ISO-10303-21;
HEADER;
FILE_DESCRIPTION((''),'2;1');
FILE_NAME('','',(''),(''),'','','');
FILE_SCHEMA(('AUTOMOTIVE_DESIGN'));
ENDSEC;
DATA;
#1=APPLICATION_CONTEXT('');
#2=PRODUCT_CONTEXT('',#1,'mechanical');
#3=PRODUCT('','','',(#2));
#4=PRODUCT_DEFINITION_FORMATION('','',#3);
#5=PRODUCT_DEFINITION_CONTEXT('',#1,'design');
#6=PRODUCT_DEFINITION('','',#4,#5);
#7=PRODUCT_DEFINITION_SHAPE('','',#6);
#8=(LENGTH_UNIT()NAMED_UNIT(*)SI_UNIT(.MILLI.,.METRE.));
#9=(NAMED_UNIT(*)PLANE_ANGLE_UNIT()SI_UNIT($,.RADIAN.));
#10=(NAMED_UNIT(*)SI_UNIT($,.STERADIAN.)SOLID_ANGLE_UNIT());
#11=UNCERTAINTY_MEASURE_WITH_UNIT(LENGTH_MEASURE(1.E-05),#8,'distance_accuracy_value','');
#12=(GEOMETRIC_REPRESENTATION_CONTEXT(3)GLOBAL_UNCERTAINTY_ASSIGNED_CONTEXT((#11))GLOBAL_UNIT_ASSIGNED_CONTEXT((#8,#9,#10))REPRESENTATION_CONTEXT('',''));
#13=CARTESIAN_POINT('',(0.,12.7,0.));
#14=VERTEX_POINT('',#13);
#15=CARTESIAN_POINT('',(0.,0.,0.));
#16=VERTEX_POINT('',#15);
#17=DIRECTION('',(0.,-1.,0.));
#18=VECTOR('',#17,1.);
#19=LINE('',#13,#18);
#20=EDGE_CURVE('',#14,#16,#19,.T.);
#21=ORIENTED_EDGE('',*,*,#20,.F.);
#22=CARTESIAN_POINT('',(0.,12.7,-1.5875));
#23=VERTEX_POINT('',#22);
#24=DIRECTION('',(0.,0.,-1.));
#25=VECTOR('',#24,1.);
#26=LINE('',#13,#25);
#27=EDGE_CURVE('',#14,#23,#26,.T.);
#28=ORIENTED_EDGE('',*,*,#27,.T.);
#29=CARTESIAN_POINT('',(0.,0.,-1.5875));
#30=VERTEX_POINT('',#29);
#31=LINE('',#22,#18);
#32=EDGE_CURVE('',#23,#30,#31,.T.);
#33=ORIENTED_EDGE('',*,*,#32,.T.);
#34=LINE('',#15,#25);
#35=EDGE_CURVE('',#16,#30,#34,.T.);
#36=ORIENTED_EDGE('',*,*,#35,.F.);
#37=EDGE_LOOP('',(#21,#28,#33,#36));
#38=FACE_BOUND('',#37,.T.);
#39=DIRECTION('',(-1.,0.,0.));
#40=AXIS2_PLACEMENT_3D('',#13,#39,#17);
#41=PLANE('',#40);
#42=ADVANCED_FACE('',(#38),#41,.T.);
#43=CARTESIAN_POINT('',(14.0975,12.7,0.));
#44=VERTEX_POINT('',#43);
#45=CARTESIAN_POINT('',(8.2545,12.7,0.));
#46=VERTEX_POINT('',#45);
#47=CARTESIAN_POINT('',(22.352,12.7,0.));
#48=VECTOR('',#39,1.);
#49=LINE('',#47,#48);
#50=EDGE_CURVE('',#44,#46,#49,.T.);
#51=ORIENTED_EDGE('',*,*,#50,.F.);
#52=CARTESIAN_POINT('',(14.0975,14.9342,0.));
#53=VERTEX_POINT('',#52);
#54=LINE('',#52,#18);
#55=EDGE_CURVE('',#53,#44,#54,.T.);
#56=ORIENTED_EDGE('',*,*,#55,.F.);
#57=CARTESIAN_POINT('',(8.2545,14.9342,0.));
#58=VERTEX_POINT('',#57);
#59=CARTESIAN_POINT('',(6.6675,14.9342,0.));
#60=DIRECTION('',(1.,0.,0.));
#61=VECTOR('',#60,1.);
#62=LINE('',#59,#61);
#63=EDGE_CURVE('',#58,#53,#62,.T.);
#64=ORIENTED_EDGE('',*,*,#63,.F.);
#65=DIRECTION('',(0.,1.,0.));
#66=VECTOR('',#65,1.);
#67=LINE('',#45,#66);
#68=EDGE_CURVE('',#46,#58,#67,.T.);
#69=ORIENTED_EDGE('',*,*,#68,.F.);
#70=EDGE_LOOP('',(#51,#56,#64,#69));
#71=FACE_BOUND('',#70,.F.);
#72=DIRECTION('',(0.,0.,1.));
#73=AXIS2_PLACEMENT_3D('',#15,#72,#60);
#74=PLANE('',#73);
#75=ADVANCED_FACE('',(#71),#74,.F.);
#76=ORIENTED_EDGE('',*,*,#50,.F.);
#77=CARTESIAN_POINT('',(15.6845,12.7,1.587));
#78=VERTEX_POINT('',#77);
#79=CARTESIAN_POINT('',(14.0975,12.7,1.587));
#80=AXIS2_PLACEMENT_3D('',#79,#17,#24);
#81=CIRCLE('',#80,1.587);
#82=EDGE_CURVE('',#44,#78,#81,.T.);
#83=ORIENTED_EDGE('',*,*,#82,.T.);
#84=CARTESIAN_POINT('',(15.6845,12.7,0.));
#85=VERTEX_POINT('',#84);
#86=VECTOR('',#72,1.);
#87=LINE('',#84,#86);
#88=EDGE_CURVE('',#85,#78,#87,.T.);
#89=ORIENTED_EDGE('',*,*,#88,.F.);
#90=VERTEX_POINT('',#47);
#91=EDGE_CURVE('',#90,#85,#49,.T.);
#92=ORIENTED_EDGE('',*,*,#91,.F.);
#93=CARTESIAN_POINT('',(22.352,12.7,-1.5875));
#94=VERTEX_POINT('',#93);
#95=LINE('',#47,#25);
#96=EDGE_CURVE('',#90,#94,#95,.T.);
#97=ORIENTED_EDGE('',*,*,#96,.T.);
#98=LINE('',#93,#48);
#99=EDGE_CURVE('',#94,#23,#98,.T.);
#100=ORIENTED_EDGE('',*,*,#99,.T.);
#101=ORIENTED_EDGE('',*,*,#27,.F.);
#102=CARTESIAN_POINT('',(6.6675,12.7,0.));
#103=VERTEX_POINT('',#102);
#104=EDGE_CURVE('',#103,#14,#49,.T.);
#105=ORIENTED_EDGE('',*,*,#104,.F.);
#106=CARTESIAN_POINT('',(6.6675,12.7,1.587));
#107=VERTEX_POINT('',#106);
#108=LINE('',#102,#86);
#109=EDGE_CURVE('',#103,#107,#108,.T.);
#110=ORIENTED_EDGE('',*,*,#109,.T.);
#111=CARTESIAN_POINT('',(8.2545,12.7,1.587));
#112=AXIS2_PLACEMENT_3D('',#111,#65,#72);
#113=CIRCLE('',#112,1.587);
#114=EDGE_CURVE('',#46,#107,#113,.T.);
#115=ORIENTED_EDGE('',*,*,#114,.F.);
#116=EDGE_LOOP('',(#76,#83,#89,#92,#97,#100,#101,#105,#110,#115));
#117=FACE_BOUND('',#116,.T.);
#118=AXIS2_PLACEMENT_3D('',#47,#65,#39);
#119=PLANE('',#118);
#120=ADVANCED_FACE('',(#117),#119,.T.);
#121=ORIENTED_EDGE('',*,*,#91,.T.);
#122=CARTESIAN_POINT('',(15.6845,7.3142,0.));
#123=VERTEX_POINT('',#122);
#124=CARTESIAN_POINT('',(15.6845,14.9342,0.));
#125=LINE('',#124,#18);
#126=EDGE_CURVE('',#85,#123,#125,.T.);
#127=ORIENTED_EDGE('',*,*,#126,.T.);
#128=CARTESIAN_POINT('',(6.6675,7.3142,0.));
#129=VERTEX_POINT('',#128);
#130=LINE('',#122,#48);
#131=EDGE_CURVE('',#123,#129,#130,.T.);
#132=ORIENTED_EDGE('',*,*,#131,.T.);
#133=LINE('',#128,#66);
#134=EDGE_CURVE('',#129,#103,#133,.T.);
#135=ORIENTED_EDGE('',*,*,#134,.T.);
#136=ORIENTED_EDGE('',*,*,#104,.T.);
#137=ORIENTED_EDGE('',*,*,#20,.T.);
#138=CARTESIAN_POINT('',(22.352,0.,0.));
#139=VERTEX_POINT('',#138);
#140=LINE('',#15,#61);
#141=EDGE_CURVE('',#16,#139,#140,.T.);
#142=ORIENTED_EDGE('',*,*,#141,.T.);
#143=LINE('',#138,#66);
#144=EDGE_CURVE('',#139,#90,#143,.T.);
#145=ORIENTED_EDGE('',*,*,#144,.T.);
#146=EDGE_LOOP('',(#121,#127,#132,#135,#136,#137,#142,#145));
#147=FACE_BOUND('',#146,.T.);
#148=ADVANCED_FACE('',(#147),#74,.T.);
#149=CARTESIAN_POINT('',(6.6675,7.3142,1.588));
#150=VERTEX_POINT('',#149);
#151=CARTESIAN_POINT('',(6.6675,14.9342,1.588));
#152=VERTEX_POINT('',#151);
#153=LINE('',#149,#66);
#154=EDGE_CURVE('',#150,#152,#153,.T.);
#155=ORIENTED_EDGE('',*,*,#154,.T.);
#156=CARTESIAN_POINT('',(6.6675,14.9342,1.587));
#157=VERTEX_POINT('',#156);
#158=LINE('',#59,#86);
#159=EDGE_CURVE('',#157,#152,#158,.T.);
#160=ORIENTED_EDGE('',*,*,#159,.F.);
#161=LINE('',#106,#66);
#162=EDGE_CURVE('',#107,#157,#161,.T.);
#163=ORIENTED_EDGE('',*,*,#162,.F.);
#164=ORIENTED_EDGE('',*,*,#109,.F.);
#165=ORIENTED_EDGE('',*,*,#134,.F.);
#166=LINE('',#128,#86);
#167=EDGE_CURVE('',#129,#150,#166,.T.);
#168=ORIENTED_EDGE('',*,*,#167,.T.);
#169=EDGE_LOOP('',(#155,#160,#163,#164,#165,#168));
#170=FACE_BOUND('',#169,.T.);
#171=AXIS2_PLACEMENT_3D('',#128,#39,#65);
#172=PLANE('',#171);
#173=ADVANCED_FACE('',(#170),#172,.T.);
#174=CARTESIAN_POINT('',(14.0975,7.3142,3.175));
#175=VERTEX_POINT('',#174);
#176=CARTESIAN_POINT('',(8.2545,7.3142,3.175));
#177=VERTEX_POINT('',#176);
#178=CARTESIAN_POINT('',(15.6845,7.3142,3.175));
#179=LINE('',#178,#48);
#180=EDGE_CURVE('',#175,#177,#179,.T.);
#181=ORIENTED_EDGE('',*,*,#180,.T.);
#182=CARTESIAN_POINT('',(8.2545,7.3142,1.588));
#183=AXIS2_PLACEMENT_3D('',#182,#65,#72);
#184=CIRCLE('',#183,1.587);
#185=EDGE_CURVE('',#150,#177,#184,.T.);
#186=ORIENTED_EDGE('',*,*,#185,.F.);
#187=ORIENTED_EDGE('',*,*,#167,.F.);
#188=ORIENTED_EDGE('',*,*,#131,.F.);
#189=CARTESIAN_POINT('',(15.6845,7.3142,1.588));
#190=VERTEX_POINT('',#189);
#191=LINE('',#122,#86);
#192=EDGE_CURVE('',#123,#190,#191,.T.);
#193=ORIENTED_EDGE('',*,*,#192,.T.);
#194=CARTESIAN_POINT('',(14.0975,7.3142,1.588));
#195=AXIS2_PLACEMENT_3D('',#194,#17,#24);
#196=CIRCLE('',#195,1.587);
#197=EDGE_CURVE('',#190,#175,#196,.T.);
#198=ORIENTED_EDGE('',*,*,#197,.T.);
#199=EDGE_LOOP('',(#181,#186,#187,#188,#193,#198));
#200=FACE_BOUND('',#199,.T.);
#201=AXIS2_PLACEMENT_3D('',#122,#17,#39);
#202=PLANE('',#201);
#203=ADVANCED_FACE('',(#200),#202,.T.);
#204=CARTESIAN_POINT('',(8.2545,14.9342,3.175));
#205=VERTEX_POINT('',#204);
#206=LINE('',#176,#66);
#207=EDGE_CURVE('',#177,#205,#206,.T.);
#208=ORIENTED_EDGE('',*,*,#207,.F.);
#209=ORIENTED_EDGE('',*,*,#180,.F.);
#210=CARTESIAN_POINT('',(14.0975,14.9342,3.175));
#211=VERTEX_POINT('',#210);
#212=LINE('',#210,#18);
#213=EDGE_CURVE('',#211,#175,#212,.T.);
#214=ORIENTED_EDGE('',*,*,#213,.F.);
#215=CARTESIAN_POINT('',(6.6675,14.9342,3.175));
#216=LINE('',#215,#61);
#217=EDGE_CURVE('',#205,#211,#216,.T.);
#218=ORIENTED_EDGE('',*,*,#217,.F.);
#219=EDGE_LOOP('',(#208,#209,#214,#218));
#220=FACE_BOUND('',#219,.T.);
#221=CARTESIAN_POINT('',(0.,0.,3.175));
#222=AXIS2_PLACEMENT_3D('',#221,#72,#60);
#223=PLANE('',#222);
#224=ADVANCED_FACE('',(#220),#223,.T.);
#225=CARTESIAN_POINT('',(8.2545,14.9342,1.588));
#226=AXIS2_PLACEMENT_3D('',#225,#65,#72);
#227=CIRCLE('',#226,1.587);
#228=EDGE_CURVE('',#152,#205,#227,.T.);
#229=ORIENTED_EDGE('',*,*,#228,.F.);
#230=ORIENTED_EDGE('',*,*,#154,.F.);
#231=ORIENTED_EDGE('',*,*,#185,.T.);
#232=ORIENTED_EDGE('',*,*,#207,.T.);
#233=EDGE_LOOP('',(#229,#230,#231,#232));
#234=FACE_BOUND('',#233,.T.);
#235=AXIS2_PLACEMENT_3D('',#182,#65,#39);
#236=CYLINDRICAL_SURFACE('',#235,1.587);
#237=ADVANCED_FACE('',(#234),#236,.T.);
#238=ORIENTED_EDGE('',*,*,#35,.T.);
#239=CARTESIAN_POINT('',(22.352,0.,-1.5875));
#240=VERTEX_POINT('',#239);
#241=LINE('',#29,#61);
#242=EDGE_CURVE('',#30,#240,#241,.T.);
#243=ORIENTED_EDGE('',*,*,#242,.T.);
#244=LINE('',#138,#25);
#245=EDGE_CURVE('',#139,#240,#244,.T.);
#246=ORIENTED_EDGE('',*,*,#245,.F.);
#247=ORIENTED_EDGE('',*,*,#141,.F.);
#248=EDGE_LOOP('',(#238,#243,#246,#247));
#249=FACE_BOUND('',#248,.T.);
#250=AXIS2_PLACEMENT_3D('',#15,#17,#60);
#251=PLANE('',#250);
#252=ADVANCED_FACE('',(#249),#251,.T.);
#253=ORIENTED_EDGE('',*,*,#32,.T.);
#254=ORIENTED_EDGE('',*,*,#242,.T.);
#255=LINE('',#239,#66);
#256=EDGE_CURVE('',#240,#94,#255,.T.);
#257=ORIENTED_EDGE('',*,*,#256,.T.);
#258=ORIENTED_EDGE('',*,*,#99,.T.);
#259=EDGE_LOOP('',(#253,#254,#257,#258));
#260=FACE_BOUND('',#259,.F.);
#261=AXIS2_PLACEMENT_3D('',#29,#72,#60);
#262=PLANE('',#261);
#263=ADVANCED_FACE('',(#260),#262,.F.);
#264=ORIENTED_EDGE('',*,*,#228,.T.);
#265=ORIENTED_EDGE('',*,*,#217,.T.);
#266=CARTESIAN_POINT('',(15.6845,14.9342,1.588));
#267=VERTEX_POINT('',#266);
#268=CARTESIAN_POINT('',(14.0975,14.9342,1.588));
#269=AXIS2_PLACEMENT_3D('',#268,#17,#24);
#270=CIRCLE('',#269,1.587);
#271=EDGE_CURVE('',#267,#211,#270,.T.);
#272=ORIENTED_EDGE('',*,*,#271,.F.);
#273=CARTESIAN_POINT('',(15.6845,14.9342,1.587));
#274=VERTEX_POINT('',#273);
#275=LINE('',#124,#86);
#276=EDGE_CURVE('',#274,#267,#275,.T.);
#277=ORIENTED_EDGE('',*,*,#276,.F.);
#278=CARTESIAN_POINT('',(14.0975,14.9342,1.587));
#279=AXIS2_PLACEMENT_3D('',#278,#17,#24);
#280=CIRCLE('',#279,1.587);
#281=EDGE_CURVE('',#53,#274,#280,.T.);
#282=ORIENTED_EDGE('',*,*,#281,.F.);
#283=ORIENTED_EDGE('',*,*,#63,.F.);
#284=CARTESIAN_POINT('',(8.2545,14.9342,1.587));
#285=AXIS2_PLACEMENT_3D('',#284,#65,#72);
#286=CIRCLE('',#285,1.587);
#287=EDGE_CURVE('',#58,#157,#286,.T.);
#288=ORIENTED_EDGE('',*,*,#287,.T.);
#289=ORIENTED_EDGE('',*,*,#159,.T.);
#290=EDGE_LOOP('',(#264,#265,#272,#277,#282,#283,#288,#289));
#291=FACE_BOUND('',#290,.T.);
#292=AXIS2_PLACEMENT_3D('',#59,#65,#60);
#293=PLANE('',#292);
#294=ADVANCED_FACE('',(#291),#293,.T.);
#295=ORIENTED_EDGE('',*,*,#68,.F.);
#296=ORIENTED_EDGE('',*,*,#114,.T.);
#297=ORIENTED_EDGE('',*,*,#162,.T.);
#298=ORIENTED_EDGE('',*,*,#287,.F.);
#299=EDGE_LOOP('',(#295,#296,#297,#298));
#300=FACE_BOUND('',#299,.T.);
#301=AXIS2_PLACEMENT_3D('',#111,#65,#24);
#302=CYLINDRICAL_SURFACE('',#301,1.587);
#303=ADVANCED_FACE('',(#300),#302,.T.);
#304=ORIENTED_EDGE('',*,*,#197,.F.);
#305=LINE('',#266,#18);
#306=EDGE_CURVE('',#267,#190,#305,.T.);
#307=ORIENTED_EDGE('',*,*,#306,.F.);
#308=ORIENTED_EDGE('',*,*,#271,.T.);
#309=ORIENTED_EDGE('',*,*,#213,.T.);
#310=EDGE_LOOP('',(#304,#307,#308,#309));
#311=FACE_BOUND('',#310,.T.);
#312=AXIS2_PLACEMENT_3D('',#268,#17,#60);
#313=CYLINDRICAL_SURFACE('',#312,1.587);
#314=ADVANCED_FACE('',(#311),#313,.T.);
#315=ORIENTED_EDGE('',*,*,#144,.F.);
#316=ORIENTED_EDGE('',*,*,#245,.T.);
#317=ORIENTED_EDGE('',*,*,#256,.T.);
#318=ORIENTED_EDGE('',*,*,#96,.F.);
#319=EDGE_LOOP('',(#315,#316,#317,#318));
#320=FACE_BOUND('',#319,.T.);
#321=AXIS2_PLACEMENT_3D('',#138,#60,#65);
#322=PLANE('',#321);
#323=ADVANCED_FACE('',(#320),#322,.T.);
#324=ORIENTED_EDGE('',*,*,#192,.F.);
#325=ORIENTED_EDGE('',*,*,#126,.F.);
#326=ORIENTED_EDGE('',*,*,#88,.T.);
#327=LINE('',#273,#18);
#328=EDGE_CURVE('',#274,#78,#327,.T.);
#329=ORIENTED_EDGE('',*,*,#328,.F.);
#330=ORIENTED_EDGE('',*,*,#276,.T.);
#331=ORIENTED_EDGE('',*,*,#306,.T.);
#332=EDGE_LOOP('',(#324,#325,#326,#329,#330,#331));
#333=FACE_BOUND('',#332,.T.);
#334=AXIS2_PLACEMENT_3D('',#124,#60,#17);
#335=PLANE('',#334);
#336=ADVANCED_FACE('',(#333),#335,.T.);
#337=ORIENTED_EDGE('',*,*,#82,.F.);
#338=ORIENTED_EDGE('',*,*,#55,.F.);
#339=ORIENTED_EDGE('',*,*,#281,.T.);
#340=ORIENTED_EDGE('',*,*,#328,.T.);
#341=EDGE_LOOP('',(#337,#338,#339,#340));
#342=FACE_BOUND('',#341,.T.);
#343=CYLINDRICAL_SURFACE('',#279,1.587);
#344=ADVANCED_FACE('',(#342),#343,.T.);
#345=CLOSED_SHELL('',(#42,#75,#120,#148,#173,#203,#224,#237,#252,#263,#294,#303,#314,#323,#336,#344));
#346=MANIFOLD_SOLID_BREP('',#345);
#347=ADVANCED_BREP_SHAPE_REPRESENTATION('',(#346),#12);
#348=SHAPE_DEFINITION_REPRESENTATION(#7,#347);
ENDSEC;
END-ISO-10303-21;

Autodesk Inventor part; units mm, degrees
ref_plane "YZ Plane" through (0, 0, 0) normal (1, 0, 0) x (0, 1, 0)
ref_plane "XZ Plane" through (0, 0, 0) normal (0, 1, 0) x (-1, 0, 0)
ref_plane "XY Plane" through (0, 0, 0) normal (0, 0, 1) x (1, 0, 0)
sketch "Sketch1" plane through (0, 0, 0) normal (0, 0, 1) x (1, 0, 0)
  line L0 (0, 0) -> (22.352, 0)
  line L1 (22.352, 0) -> (22.352, 12.7)
  line L2 (22.352, 12.7) -> (0, 12.7)
  line L3 (0, 12.7) -> (0, 0)
  dimension "d0" = 22.352
  dimension "d1" = 12.7
extrude "Extrusion1" add sketch "Sketch1" against normal blind 1.5875
sketch "Sketch2" plane through (0, 0, 0) normal (0, 0, 1) x (1, 0, 0)
  line L0 (22.352, 0) -> (22.352, 12.7) projected
  line L1 (6.6675, 14.9342) -> (15.6845, 14.9342)
  line L2 (15.6845, 14.9342) -> (15.6845, 7.3142)
  line L3 (15.6845, 7.3142) -> (6.6675, 7.3142)
  line L4 (6.6675, 7.3142) -> (6.6675, 14.9342)
  dimension "d8" = 9.017
  dimension "d9" = 7.62
  dimension "d10" = 6.6675
extrude "Extrusion2" add sketch "Sketch2" along normal blind 3.175
fillet "Fillet1" radius 1.5875 4 edges at (15.6845, 11.1242, 3.175) (15.6845, 13.8171, 0) (6.6675, 11.1242, 3.175) (6.6675, 13.8171, 0)
properties part number "‎BOB-15100‎ USB C Breakout" material "PBT Plastic"
